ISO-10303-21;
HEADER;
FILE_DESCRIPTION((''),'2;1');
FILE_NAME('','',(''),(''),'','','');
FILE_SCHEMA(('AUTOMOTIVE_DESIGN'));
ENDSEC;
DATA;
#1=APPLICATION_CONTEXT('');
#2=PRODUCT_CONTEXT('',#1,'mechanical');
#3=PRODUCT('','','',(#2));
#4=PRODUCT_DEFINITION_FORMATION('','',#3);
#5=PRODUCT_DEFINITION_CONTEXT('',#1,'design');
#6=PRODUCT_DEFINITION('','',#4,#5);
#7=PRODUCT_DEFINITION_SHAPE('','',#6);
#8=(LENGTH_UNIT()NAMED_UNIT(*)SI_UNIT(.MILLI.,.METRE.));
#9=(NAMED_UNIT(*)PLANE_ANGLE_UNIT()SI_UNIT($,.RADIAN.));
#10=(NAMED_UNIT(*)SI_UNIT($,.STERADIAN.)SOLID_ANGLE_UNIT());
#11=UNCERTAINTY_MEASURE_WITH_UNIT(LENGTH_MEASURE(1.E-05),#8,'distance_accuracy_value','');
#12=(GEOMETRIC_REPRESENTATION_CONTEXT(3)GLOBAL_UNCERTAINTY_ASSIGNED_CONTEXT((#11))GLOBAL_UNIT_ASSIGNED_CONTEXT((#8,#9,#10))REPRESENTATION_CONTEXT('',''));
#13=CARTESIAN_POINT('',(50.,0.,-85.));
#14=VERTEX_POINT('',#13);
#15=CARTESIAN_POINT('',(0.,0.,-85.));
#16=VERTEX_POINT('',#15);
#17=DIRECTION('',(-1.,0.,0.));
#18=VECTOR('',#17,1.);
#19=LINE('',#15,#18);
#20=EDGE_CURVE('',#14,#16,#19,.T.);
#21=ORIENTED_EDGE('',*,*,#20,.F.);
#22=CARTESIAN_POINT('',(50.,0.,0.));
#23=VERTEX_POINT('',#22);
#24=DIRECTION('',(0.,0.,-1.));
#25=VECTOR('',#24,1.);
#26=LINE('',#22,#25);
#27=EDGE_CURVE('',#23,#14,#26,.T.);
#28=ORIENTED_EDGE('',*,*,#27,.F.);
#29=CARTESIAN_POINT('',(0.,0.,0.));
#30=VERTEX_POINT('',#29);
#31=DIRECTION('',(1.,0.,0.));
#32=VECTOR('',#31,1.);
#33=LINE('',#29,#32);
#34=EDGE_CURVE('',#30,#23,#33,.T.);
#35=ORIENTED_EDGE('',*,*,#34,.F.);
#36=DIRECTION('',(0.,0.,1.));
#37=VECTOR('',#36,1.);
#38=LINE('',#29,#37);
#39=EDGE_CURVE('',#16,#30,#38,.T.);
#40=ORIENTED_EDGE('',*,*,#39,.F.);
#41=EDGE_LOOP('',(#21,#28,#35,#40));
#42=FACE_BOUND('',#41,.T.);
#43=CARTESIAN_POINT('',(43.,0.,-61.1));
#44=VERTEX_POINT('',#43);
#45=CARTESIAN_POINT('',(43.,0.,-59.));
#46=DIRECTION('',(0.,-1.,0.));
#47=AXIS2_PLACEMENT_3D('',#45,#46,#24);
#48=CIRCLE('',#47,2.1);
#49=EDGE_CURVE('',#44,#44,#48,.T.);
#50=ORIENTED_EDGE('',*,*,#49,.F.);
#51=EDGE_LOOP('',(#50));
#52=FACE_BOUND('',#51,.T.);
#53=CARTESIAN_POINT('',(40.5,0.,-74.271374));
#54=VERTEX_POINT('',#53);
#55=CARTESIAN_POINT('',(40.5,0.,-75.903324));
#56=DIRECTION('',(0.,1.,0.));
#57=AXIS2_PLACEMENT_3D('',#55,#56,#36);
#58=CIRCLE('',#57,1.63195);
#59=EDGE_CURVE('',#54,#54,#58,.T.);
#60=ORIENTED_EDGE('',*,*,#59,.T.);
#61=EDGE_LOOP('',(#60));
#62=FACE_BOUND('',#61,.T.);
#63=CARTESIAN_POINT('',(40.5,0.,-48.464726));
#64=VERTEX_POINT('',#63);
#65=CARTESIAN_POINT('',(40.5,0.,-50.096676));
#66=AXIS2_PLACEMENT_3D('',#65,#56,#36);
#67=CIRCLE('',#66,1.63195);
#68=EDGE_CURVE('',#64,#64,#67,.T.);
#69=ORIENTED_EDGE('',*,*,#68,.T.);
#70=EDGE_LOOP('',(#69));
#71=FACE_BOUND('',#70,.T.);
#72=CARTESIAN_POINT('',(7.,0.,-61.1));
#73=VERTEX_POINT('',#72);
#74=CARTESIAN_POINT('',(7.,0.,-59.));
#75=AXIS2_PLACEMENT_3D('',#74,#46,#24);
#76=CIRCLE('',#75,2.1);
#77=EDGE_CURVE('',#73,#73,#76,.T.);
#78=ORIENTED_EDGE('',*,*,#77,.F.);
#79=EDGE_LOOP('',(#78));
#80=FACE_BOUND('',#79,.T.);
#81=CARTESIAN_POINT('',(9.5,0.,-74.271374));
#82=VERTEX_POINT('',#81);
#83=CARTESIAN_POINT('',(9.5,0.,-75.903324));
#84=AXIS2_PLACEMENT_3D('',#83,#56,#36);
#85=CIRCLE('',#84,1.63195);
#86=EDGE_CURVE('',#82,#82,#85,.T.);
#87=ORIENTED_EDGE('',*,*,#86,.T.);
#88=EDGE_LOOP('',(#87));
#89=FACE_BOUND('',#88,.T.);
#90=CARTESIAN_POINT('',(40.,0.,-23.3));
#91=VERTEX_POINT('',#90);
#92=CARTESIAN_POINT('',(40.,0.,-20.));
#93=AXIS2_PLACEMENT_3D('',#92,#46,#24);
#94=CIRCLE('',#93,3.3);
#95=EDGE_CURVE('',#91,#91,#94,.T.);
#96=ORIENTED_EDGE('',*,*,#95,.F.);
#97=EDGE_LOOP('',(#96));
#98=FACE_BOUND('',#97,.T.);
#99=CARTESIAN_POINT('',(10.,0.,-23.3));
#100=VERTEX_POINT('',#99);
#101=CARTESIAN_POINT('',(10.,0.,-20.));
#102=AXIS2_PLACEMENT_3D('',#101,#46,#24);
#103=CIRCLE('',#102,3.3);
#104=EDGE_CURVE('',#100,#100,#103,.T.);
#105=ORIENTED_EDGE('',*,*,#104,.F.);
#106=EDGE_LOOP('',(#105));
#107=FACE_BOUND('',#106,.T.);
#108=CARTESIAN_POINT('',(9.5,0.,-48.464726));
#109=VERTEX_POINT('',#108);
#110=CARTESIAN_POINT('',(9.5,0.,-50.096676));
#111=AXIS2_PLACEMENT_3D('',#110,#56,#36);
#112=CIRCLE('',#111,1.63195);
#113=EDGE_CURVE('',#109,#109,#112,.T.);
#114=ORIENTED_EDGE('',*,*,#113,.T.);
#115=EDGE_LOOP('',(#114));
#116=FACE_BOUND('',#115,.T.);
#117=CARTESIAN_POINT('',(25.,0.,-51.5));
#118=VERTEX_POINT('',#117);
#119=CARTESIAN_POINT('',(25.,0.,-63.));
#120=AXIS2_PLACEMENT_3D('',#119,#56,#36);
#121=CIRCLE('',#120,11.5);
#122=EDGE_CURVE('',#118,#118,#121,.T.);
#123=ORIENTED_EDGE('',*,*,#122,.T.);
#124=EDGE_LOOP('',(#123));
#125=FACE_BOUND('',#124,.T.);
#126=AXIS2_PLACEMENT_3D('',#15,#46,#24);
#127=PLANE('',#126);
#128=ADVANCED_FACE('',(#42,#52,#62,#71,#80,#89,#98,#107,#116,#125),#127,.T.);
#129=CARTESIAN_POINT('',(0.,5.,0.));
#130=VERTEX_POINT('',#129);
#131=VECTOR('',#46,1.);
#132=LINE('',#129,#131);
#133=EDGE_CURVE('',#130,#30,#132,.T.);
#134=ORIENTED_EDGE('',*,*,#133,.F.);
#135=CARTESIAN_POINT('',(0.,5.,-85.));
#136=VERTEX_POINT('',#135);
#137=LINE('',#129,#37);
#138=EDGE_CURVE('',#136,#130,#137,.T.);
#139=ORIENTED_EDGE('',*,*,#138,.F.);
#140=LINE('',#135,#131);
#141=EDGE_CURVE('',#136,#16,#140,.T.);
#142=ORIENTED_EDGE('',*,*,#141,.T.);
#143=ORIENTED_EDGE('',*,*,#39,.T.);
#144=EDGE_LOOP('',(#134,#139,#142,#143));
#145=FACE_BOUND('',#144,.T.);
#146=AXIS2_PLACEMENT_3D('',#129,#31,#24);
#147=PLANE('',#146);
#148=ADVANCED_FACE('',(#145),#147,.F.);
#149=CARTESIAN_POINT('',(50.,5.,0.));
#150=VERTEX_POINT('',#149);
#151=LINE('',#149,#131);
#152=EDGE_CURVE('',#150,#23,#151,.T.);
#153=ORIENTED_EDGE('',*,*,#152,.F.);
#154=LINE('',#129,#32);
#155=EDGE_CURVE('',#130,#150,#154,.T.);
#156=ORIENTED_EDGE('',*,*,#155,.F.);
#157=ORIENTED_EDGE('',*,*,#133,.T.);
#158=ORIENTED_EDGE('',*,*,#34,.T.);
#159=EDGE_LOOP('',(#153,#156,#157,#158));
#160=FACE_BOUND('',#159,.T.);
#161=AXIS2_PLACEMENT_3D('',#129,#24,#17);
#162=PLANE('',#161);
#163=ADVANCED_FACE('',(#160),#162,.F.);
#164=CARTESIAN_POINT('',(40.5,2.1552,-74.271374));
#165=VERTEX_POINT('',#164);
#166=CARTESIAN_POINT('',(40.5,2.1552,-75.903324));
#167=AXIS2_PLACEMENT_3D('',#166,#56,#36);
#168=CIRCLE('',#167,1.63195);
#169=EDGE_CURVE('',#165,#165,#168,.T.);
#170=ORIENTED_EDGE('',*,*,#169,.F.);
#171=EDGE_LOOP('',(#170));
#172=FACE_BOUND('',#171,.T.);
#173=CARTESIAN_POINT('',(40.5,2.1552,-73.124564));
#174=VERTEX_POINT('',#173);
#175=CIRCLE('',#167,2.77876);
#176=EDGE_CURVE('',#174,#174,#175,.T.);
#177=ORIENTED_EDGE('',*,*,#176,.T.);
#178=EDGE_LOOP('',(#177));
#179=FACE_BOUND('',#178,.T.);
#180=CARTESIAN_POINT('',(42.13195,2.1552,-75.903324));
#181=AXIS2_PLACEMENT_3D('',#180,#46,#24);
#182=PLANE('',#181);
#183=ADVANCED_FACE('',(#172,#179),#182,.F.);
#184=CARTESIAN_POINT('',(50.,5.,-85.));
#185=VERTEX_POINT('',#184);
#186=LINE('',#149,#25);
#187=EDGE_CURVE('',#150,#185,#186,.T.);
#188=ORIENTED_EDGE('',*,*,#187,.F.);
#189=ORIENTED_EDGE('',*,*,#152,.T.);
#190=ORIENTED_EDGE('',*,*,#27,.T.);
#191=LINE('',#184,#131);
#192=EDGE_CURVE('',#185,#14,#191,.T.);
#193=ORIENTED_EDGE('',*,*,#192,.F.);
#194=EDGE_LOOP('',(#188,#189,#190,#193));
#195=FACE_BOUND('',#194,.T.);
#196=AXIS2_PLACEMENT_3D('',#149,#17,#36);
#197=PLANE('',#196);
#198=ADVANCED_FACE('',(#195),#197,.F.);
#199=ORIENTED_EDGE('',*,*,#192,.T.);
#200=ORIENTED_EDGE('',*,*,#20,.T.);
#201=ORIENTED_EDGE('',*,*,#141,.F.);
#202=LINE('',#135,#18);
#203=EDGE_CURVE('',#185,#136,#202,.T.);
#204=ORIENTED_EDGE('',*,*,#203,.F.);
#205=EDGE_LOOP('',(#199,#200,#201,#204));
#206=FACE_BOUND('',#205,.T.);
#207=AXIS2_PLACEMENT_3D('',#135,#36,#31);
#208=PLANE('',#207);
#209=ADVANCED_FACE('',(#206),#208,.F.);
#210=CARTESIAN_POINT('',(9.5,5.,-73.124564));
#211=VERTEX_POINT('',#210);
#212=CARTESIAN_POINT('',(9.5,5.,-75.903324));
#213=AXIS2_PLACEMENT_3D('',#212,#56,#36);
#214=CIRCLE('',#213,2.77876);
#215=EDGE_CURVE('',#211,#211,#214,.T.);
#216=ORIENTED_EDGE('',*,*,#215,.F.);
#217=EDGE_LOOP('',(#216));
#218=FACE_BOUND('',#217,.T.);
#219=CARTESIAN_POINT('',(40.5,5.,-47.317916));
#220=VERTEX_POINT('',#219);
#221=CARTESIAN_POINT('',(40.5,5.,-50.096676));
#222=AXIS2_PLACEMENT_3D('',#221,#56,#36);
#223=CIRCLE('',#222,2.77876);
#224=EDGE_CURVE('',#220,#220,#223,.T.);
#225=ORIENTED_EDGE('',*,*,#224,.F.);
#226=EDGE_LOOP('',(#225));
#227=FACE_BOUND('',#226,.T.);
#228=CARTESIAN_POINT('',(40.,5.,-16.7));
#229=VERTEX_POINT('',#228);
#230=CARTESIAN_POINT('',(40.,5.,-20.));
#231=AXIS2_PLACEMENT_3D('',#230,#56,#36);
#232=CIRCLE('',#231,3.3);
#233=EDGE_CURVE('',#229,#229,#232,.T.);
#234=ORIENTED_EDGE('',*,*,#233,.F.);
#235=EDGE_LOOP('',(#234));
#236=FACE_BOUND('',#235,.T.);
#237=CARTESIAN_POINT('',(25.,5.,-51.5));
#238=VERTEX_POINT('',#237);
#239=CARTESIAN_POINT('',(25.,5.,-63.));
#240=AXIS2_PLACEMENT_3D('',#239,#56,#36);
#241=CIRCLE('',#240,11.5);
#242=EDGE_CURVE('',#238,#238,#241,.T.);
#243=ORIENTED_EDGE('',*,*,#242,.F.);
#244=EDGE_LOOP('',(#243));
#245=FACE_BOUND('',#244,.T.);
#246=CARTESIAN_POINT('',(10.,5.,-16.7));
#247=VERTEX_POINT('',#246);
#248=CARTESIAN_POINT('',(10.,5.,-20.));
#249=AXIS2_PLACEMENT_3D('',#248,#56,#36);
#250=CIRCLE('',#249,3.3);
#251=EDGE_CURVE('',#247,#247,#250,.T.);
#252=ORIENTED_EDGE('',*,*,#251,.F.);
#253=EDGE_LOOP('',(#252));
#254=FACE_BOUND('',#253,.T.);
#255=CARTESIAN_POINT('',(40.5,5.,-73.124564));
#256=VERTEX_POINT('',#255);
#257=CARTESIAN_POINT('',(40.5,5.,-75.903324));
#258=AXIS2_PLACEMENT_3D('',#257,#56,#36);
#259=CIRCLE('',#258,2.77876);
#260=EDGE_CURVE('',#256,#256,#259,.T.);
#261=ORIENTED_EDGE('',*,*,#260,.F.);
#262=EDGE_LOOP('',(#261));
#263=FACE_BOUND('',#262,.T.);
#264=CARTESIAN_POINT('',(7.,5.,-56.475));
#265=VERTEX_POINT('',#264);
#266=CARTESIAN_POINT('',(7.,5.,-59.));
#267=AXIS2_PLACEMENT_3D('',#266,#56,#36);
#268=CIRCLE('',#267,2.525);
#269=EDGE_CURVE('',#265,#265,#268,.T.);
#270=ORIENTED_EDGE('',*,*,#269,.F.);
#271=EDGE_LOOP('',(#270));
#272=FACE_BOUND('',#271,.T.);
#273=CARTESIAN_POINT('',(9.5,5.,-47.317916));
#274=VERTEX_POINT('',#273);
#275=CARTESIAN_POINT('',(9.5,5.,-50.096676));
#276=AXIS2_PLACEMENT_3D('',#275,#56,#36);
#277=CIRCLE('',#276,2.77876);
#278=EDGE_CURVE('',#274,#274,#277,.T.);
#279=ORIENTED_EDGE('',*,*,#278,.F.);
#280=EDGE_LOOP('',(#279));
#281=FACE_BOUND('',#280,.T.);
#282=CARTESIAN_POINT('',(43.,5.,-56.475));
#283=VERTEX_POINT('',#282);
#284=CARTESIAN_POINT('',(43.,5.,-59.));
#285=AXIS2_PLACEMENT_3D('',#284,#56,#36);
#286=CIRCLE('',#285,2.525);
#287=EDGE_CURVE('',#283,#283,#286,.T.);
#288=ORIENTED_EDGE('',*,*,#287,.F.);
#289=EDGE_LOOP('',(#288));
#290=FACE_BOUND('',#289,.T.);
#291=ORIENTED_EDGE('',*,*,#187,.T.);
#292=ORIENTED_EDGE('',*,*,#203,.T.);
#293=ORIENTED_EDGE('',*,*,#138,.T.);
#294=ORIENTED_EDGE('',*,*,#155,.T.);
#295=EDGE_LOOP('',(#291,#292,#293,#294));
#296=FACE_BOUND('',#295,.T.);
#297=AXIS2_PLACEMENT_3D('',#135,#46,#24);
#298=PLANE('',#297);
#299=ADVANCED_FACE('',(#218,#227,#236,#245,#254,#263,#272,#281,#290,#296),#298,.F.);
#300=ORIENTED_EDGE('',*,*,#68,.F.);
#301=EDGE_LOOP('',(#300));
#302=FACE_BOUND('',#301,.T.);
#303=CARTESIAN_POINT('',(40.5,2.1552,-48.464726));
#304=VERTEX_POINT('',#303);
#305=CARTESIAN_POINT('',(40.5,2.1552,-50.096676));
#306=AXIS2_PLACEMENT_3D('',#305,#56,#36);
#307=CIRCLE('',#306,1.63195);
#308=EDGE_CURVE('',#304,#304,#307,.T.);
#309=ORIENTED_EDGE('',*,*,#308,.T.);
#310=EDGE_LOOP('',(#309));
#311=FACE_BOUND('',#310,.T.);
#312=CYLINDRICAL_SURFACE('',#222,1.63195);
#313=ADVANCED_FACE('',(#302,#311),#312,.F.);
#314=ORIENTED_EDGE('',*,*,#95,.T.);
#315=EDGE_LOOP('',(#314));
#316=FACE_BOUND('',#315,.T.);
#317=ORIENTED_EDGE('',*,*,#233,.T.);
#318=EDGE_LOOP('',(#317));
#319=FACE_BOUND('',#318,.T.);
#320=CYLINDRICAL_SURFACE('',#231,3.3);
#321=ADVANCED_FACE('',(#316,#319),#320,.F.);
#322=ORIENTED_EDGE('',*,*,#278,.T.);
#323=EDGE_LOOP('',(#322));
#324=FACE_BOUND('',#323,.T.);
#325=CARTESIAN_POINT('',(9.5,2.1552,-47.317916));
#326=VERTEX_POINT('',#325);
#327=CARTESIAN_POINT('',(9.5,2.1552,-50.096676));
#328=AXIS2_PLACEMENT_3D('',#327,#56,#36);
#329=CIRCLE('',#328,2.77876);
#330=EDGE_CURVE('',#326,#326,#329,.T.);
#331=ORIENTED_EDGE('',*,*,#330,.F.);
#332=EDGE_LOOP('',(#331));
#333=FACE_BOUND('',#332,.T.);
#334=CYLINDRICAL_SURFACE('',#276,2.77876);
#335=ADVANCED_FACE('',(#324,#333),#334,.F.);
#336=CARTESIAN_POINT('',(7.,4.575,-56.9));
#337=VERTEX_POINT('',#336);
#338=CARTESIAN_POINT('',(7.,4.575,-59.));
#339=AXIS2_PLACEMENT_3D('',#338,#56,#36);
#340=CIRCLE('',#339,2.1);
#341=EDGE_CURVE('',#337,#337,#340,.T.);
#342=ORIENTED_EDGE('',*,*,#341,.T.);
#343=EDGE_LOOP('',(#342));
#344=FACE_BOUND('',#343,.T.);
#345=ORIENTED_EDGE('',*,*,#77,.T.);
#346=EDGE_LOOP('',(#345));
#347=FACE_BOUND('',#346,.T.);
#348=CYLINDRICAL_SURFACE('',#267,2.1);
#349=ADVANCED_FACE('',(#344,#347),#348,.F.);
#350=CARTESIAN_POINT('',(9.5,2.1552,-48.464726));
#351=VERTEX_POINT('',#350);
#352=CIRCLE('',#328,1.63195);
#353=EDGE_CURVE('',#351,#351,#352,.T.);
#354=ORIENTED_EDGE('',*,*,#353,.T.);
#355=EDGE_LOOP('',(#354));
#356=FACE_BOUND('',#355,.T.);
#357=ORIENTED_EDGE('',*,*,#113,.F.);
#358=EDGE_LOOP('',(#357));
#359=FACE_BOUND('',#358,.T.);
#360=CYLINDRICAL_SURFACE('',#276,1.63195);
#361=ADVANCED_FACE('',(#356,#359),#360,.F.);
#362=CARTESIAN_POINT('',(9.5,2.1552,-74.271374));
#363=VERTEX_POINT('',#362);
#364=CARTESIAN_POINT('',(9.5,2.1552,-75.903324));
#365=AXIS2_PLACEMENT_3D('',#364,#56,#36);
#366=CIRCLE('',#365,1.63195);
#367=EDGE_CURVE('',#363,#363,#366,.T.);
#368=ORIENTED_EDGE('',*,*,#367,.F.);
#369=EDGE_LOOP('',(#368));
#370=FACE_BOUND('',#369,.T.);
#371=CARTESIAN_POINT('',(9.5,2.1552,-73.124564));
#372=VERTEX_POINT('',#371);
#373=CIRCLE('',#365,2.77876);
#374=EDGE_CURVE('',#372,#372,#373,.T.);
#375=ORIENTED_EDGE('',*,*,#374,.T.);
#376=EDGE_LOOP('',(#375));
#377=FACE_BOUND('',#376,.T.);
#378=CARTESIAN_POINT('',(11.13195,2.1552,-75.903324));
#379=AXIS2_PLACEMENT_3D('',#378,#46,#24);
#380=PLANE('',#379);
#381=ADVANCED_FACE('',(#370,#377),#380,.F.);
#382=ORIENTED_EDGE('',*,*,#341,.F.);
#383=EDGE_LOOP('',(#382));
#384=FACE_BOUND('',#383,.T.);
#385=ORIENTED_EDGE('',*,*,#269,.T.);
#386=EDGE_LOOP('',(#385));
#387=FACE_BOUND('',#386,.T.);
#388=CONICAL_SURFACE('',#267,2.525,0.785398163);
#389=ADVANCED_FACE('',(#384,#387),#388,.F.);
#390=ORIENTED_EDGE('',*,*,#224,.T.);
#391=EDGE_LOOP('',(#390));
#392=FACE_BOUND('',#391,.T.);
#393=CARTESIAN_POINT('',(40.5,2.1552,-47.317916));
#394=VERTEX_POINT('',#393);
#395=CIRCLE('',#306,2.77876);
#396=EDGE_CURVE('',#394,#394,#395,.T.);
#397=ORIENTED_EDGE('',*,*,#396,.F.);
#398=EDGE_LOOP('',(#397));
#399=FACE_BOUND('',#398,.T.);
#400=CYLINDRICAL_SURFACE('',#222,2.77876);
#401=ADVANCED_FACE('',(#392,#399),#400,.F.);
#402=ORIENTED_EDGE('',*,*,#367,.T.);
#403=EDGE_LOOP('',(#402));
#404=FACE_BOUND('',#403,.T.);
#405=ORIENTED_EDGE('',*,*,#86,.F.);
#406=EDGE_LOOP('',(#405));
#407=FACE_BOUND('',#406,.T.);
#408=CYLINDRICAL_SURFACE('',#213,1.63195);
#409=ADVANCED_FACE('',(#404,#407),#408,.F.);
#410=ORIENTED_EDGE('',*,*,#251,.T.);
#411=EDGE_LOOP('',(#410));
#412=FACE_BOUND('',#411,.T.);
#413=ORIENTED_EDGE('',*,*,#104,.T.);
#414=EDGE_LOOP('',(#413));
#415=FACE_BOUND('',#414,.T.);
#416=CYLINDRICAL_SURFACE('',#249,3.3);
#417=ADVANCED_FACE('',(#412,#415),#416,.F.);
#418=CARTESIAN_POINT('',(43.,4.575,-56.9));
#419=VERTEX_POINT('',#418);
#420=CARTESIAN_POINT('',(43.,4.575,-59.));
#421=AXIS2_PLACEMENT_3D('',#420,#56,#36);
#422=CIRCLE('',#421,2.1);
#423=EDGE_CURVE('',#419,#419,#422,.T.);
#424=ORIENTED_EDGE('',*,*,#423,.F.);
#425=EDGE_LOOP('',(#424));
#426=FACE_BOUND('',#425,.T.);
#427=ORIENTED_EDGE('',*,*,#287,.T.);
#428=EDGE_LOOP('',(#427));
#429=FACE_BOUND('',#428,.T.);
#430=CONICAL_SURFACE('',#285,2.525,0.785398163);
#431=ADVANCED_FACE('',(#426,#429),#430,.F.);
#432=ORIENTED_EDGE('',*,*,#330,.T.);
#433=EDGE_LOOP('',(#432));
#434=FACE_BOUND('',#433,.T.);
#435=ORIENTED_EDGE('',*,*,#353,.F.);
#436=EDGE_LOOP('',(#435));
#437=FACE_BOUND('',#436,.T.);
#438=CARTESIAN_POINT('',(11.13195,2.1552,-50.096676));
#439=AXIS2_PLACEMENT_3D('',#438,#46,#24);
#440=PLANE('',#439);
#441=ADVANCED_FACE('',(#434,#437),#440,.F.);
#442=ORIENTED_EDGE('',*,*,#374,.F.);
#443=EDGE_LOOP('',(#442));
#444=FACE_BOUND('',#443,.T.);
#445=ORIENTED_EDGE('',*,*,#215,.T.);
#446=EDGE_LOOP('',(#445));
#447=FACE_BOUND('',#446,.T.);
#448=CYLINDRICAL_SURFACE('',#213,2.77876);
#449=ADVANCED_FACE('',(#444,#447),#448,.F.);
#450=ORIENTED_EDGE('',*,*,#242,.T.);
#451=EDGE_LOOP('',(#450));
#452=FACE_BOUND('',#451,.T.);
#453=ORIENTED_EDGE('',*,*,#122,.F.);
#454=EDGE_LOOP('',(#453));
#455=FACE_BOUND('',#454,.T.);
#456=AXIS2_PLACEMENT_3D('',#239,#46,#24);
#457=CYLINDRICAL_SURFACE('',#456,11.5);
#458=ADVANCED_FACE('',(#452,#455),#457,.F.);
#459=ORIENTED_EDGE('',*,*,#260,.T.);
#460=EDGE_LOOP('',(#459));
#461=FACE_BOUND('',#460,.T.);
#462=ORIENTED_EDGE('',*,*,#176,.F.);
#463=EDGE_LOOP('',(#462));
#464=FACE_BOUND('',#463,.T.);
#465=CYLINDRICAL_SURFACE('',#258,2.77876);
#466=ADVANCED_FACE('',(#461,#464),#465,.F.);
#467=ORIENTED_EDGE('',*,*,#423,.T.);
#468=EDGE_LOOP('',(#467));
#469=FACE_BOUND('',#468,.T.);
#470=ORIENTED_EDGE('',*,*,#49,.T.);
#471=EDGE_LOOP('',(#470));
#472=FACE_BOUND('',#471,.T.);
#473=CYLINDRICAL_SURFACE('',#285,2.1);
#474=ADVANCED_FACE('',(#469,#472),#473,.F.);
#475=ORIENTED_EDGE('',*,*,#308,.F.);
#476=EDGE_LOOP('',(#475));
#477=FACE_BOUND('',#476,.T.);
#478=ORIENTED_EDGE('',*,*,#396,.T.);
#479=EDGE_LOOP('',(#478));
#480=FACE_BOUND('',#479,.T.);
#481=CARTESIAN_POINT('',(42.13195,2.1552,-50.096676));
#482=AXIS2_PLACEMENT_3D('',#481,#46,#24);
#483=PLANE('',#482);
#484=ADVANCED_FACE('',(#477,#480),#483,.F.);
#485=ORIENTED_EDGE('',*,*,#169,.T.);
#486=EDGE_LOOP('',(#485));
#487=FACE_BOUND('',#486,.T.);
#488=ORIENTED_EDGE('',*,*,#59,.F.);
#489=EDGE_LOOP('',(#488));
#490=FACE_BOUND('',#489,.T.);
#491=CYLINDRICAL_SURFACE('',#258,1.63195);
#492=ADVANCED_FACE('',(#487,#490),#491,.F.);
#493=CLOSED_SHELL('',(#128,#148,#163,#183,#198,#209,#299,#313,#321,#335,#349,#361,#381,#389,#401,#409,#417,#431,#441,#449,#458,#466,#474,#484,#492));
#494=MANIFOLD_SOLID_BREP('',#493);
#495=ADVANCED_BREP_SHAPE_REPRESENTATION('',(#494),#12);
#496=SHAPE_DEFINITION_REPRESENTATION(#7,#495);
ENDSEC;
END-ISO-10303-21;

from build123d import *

# Parameters (mm, degrees)
SKETCH1_W                                      = 50
SKETCH1_H                                      = 85
SKETCH1_R                                      = 11.5
BOSS_EXTRUDE1_DEPTH                            = 5
CBORE_FOR_4_SOCKET_HEAD_CAP_SCREW1_D           = 3.2639
CBORE_FOR_4_SOCKET_HEAD_CAP_SCREW1_CBORE_D     = 5.55752
CBORE_FOR_4_SOCKET_HEAD_CAP_SCREW1_CBORE_DEPTH = 2.8448
M6_CLEARANCE_HOLE1_D                           = 6.6
M5_TAPPED_HOLE1_D                              = 4.2
M5_TAPPED_HOLE1_CSINK_D                        = 5.05
M5_TAPPED_HOLE1_CSINK_ANGLE                    = 90


with BuildPart() as part:
    # Sketch1 → Boss-Extrude1 (new body)
    with BuildSketch(Plane(origin=(0, 0, 0), x_dir=(1, 0, 0), z_dir=(0, 1, 0))):
        with Locations((25, 42.5)):
            Rectangle(SKETCH1_W, SKETCH1_H)
        with Locations(Location((25, 63, 0), (0, 0, 270))):
            Circle(SKETCH1_R, mode=Mode.SUBTRACT)
    extrude(amount=BOSS_EXTRUDE1_DEPTH)

    # CBORE for #4 Socket Head Cap Screw1 (through all)
    with Locations(Plane(origin=(0, 5, 0), x_dir=(-1, 0, 0), z_dir=(0, 1, 0))):
        with Locations((-9.5, -75.903324015), (-9.5, -50.096675985), (-40.5, -50.096675985), (-40.5, -75.903324015)):
            CounterBoreHole(CBORE_FOR_4_SOCKET_HEAD_CAP_SCREW1_D / 2, CBORE_FOR_4_SOCKET_HEAD_CAP_SCREW1_CBORE_D / 2, CBORE_FOR_4_SOCKET_HEAD_CAP_SCREW1_CBORE_DEPTH)

    # M6 Clearance Hole1 (through all)
    with Locations(Plane(origin=(0, 5, 0), x_dir=(-1, 0, 0), z_dir=(0, 1, 0))):
        with Locations((-10, -20), (-40, -20)):
            Hole(M6_CLEARANCE_HOLE1_D / 2)

    # M5 Tapped Hole1 (through all)
    with Locations(Plane(origin=(0, 5, 0), x_dir=(-1, 0, 0), z_dir=(0, 1, 0))):
        with Locations((-7, -59), (-43, -59)):
            CounterSinkHole(M5_TAPPED_HOLE1_D / 2, M5_TAPPED_HOLE1_CSINK_D / 2, counter_sink_angle=M5_TAPPED_HOLE1_CSINK_ANGLE)


solid = part.part
